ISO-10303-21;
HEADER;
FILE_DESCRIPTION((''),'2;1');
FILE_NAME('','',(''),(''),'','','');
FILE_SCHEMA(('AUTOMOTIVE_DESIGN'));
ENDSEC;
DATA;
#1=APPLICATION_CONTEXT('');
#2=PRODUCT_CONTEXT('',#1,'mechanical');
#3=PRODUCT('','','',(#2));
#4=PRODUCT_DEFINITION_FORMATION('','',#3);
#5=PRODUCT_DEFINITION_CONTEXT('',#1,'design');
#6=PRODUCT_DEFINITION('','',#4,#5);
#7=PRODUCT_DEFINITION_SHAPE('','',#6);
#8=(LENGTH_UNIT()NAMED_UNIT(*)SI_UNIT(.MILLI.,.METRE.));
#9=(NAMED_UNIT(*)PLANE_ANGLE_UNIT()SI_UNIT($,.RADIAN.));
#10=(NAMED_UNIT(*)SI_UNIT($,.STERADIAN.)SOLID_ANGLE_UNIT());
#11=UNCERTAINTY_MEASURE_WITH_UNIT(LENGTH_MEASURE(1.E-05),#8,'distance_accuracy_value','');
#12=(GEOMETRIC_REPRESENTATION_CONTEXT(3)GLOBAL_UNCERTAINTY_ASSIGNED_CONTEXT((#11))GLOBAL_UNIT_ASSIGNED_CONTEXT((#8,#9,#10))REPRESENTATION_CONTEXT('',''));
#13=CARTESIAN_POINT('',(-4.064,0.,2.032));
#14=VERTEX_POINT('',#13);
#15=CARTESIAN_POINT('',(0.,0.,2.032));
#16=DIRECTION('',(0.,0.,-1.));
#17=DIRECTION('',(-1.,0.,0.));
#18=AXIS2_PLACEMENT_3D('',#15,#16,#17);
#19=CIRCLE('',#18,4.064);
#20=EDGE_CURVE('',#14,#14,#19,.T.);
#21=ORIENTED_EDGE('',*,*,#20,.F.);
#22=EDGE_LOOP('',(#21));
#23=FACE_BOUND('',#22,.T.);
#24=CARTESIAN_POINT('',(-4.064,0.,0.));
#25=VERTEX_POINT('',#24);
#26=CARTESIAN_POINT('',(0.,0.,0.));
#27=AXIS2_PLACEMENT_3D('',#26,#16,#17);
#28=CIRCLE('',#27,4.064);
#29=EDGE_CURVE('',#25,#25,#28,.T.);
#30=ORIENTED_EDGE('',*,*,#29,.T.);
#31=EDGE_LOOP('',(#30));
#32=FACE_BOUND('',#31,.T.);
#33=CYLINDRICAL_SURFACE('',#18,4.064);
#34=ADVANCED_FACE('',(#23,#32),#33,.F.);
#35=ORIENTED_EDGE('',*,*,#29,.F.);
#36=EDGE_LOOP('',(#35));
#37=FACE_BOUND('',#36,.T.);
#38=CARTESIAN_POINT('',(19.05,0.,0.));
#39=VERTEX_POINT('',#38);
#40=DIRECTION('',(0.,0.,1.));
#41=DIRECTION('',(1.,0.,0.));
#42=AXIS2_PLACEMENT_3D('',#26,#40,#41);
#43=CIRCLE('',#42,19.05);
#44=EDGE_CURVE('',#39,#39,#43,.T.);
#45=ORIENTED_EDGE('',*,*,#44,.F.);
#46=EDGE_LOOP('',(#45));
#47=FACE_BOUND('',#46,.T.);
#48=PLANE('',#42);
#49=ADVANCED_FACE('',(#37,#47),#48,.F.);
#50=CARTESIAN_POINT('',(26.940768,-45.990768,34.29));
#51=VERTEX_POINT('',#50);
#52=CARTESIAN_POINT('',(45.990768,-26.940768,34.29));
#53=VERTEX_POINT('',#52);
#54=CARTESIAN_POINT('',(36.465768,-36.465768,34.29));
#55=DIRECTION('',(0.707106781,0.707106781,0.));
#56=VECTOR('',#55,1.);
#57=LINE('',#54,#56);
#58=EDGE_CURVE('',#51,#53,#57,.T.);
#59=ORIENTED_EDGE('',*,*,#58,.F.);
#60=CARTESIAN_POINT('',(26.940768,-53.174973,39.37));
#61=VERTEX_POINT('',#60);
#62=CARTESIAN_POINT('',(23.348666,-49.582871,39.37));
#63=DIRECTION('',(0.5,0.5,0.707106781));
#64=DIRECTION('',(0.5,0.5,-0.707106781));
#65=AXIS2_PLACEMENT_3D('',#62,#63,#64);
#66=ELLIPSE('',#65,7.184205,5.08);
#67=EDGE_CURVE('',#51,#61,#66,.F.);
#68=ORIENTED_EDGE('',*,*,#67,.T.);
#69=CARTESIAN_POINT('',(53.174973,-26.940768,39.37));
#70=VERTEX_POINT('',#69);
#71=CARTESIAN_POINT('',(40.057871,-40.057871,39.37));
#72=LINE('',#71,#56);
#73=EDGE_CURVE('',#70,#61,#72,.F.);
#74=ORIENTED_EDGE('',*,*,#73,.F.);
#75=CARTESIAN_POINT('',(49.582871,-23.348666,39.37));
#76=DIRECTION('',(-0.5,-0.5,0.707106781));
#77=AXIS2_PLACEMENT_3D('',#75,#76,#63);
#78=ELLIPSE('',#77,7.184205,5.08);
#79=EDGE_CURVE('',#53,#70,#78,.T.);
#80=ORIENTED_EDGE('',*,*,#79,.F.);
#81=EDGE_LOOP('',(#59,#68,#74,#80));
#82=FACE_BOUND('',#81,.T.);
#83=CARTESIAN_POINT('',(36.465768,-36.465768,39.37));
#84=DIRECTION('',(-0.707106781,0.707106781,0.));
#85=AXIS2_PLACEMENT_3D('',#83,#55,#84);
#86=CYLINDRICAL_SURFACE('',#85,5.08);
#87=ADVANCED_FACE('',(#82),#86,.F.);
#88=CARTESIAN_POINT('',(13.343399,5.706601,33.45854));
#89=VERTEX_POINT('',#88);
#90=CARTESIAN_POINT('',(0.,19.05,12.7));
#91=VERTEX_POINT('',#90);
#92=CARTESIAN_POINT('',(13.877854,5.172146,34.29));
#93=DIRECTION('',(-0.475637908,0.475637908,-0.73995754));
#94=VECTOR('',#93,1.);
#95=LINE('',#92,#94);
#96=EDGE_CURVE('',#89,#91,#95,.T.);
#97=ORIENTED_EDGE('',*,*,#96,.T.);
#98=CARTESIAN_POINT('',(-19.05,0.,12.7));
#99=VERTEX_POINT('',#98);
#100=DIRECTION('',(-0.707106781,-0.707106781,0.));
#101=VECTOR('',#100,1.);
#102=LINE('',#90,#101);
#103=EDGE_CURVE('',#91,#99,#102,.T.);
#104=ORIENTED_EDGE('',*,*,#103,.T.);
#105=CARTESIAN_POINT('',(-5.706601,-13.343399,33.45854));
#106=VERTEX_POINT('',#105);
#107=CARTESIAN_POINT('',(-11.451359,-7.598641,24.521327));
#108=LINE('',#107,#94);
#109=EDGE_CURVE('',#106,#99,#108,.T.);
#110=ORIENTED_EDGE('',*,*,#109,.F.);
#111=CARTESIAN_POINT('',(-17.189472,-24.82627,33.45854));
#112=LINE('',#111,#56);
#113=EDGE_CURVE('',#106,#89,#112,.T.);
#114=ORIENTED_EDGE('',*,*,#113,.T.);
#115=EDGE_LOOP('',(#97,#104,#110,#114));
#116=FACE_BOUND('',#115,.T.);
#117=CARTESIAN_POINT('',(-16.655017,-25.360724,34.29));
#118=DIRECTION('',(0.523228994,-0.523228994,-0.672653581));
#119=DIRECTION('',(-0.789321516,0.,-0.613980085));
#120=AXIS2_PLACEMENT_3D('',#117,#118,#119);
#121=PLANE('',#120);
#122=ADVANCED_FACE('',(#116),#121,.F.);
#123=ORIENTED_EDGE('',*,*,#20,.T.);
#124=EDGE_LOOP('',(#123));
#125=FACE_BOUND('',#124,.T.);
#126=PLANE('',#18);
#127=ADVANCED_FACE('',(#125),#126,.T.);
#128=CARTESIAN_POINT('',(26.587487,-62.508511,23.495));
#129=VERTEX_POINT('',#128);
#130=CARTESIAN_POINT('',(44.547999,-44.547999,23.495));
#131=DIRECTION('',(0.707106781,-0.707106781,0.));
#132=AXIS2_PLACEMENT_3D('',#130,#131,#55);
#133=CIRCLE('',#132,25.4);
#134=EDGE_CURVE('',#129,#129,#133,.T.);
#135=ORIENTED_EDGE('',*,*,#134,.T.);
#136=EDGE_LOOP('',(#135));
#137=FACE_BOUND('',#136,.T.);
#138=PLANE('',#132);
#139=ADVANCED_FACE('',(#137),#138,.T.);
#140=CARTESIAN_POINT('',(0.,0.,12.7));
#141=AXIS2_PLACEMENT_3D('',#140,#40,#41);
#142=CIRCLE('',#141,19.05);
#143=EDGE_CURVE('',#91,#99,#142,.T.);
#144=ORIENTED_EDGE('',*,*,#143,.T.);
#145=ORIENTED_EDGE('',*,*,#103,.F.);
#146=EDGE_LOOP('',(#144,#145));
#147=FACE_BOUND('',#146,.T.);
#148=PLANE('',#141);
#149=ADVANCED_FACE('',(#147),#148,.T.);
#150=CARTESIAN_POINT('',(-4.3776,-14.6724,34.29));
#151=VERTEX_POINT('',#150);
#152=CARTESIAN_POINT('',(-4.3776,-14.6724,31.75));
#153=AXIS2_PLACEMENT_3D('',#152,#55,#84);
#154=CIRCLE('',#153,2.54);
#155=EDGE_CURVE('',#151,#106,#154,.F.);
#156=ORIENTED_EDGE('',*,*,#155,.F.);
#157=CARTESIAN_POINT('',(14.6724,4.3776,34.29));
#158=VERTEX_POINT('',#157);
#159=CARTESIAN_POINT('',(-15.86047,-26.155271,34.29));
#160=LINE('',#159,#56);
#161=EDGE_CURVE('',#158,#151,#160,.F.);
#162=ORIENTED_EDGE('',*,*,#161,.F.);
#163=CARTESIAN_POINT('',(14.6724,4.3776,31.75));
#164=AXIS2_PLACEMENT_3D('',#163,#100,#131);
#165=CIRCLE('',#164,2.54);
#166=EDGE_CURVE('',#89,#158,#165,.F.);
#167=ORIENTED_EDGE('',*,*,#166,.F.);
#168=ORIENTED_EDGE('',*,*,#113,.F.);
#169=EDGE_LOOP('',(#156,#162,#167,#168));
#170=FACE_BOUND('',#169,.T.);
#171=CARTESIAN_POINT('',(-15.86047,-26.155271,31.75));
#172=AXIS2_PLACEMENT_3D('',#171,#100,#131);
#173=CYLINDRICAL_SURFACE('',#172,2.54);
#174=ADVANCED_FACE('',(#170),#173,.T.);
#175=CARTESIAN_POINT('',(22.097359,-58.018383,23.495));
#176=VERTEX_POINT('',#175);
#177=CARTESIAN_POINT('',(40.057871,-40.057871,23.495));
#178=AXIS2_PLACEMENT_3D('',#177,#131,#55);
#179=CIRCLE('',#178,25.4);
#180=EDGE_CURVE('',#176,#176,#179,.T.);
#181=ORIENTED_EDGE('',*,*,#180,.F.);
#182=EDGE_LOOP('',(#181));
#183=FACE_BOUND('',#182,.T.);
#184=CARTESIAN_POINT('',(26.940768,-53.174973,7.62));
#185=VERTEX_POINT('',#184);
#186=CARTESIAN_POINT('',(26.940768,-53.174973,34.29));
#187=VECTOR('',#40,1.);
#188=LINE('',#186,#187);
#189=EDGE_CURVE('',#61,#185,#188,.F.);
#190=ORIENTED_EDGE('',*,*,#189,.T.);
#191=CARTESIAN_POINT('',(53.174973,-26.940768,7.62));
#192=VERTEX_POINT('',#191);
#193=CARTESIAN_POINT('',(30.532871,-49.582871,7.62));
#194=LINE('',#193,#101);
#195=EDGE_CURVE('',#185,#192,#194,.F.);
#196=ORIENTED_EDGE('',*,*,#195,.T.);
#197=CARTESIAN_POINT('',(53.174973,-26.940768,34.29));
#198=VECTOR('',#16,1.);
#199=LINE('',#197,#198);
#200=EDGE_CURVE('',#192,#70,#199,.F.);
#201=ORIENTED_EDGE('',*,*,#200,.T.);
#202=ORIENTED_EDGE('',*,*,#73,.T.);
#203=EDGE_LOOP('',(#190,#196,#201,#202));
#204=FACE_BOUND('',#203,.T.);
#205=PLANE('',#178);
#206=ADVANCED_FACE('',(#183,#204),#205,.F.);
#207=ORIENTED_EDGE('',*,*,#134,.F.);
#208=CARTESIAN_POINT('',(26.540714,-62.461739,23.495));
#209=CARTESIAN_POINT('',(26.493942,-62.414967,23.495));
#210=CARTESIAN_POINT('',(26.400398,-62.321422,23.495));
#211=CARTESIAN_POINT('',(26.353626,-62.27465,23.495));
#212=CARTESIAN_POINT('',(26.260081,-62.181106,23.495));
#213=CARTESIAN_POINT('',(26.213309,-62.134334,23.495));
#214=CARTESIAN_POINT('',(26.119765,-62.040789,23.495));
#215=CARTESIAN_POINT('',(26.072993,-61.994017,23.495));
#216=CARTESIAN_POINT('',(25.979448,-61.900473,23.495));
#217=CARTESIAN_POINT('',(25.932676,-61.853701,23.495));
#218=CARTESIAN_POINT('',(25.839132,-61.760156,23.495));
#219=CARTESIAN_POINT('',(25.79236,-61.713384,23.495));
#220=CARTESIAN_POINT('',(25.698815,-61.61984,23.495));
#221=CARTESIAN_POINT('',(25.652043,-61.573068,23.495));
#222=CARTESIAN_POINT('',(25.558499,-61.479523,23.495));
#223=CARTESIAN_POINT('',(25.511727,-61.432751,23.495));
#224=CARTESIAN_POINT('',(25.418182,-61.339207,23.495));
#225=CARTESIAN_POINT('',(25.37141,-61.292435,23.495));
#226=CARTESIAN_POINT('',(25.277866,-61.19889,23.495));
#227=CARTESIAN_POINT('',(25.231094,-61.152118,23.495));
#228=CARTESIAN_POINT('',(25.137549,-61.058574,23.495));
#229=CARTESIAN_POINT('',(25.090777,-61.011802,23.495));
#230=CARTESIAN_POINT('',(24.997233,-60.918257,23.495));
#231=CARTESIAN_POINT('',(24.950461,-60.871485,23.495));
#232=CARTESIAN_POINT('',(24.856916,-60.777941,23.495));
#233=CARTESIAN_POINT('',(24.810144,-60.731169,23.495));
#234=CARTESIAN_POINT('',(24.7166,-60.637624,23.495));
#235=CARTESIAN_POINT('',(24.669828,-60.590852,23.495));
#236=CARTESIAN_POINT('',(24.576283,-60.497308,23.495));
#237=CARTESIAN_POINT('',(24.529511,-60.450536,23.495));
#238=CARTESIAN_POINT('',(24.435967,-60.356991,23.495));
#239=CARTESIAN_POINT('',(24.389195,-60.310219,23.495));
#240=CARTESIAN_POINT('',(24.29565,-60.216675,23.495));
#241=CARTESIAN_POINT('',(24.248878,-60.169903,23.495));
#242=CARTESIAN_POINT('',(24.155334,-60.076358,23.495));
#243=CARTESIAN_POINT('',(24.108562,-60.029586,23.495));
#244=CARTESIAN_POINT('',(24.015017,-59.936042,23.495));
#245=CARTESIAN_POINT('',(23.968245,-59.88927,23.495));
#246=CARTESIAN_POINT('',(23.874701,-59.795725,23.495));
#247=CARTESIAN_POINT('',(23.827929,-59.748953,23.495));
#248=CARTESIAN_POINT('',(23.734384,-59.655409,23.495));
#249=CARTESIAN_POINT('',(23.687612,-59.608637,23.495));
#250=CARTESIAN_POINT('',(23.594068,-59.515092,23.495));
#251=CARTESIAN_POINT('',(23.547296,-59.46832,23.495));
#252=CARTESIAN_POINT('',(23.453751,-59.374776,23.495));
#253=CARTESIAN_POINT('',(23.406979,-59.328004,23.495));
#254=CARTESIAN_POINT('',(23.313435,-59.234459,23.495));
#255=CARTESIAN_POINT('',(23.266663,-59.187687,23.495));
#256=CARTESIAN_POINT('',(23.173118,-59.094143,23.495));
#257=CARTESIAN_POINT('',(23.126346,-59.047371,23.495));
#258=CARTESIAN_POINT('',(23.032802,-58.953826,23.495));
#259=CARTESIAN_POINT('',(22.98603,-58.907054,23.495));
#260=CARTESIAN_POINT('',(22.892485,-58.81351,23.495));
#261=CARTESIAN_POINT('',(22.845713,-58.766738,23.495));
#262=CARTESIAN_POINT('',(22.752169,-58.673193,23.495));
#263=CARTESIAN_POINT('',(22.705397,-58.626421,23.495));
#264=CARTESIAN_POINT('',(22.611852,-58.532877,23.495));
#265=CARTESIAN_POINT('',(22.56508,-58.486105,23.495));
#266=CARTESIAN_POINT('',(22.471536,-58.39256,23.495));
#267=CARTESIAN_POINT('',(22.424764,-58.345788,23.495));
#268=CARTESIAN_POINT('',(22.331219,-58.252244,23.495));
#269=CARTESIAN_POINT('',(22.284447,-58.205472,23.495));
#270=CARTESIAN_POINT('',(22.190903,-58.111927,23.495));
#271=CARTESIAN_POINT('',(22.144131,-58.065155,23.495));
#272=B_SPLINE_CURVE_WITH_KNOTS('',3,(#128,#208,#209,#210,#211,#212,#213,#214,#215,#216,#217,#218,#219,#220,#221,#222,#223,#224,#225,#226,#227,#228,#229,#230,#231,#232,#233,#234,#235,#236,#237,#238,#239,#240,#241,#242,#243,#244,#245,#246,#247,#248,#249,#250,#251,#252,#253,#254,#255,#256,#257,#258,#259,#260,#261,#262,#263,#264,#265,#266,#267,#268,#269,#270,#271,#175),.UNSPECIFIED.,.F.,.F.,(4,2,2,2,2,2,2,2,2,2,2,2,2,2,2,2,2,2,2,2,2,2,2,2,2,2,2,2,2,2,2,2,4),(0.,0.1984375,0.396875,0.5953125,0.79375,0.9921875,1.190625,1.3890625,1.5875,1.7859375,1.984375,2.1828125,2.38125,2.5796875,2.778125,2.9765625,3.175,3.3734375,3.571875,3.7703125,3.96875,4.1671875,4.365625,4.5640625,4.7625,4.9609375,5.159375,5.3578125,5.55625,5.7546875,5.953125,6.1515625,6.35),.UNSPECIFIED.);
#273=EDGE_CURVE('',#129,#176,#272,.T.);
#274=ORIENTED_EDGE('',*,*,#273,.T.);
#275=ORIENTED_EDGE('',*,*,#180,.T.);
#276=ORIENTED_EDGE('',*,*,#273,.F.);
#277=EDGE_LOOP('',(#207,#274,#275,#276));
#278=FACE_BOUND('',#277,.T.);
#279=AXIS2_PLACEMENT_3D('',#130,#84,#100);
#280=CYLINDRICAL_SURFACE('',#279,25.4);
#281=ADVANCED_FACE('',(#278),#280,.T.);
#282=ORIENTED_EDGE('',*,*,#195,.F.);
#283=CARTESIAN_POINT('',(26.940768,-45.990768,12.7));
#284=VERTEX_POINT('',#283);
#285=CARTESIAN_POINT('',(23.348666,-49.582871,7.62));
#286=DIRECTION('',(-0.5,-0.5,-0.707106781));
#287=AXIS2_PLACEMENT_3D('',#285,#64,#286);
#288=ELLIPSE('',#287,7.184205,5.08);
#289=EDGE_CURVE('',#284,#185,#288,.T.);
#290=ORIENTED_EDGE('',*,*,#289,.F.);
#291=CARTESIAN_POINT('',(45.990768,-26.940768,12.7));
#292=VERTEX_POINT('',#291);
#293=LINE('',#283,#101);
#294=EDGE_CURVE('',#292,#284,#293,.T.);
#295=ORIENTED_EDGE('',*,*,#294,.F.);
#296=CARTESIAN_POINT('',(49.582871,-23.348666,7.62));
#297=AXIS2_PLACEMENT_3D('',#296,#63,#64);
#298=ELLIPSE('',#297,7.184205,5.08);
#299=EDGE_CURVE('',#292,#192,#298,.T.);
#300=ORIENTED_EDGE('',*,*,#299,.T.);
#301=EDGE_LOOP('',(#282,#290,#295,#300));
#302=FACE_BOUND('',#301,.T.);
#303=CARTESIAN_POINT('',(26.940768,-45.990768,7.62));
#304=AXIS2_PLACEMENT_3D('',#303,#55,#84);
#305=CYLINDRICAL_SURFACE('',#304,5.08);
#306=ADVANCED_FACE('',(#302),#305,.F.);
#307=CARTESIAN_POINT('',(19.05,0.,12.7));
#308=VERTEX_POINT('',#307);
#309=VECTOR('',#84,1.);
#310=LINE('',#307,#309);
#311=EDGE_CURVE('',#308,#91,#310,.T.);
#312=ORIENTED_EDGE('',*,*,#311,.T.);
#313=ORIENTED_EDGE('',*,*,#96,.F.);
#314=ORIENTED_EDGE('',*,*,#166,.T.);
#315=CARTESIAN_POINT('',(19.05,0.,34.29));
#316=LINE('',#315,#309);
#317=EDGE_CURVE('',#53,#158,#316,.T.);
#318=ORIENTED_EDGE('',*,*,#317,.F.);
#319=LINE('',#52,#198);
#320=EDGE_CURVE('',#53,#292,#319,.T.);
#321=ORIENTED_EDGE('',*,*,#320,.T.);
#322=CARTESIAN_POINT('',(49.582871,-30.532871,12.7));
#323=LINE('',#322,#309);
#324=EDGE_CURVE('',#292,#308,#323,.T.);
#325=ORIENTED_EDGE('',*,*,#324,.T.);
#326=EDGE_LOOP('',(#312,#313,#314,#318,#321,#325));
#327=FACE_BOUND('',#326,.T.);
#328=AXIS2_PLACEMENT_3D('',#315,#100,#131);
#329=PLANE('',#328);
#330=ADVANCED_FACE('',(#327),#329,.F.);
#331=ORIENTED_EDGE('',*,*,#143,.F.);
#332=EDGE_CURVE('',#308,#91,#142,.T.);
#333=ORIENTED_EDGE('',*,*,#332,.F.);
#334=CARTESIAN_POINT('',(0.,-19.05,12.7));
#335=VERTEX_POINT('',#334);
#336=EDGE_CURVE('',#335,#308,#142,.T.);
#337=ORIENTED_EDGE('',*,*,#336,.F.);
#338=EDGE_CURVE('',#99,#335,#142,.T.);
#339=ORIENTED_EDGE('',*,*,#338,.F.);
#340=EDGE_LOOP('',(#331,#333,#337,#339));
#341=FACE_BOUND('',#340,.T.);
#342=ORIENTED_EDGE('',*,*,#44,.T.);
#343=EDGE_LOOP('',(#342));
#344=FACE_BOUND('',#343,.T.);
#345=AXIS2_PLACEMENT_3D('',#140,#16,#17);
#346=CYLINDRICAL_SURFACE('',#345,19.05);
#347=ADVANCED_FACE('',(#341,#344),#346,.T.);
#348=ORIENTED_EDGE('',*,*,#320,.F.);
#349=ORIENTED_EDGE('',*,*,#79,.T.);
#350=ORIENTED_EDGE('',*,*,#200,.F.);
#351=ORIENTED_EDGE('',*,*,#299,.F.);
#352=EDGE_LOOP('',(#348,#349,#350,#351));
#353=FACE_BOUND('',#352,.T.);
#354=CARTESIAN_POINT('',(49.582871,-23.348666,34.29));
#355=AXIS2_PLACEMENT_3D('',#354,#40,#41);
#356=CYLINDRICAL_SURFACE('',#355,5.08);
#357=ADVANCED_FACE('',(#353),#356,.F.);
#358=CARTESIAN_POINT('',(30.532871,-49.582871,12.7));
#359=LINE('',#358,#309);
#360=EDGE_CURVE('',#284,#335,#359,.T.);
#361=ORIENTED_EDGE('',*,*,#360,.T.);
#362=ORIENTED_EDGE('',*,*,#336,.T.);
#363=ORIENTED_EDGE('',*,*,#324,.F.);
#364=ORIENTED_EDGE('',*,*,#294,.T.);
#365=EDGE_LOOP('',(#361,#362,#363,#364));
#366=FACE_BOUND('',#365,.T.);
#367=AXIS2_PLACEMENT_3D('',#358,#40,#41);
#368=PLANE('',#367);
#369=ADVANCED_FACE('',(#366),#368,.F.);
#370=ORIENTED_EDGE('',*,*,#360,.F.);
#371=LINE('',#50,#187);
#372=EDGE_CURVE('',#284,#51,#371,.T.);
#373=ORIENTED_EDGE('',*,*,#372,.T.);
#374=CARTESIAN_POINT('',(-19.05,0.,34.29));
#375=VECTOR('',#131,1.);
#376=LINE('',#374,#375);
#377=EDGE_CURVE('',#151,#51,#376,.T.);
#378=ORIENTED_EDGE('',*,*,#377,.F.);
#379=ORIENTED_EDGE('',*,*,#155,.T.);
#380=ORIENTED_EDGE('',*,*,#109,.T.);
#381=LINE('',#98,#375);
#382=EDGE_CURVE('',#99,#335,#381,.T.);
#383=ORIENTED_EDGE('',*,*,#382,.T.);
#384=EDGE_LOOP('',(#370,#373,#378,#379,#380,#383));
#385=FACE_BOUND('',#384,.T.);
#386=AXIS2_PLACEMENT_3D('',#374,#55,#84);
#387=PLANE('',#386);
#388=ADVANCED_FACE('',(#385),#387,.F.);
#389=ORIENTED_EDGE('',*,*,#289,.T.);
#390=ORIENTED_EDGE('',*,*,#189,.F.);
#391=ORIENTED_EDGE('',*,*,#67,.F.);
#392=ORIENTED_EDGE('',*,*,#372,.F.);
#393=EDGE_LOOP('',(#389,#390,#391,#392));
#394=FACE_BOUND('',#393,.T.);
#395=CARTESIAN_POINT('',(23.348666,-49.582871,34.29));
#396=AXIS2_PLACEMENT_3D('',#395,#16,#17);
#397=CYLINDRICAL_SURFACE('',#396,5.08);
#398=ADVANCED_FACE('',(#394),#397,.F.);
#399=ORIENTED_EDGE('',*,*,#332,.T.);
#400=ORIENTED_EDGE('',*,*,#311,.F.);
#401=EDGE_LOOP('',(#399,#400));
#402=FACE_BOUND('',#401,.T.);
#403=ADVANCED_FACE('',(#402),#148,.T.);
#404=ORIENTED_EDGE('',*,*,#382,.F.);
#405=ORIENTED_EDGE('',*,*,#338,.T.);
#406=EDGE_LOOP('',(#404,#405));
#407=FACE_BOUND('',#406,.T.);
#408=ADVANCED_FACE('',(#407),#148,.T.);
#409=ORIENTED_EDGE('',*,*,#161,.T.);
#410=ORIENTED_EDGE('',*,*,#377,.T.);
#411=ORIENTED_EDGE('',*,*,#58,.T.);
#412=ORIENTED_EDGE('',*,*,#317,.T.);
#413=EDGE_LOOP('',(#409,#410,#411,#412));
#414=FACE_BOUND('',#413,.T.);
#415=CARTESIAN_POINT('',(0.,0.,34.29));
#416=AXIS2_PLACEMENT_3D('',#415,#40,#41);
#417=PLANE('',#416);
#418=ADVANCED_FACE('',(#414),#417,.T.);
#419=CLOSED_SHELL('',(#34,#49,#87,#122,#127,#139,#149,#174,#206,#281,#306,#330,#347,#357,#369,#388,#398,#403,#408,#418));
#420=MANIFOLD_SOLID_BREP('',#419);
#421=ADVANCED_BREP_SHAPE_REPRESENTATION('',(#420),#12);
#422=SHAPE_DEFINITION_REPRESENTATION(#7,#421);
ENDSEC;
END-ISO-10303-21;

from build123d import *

# Parameters (mm, degrees)
SKETCH1_R           = 19.05
BOSS_EXTRUDE1_DEPTH = 12.7
BOSS_EXTRUDE2_DEPTH = 21.59
SKETCH4_W           = 21.59
SKETCH4_H           = 26.940768364
BOSS_EXTRUDE3_DEPTH = 43.18
CUT_EXTRUDE1_DEPTH  = 43.18
FILLET2_R           = 2.54
SKETCH6_R           = 25.4
BOSS_EXTRUDE4_DEPTH = 6.35
FILLET5_R           = 5.08
SKETCH7_R           = 4.064
CUT_EXTRUDE2_DEPTH  = 2.032


with BuildPart() as part:
    # Sketch1 → Boss-Extrude1 (new body)
    with BuildSketch(Plane.XY):
        Circle(SKETCH1_R)
    extrude(amount=BOSS_EXTRUDE1_DEPTH)

    # Sketch2 → Boss-Extrude2 (add)
    with BuildSketch(Plane.XY.offset(12.7)):
        Polygon((-19.05, 0), (0, -19.05), (19.05, 0), (0, 19.05), align=None)
    extrude(amount=BOSS_EXTRUDE2_DEPTH)

    # Sketch4 → Boss-Extrude3 (add)
    with BuildSketch(Plane(origin=(9.525, -9.525, 0), x_dir=(0, 0, -1), z_dir=(0.7071067811865477, -0.7071067811865475, 0))):
        with Locations((-23.495, 0)):
            Rectangle(SKETCH4_W, SKETCH4_H)
    extrude(amount=BOSS_EXTRUDE3_DEPTH)

    # Sketch5 → Cut-Extrude1 (cut)
    with BuildSketch(Plane(origin=(9.525, 9.525, 0), x_dir=(0, 0, -1), z_dir=(0.7071067811865475, 0.7071067811865476, 0))):
        Polygon((-34.29, -6.155864654), (-12.7, 13.470384182), (-34.29, 13.470384182), align=None)
    extrude(amount=-CUT_EXTRUDE1_DEPTH, mode=Mode.SUBTRACT)

    # Fillet2
    fillet2_edges = [part.edges().sort_by_distance(p)[0] for p in [
        (4.352853641, -4.352853641, 34.29),
    ]]
    fillet(fillet2_edges, radius=FILLET2_R)

    # Sketch6 → Boss-Extrude4 (add)
    with BuildSketch(Plane(origin=(40.057870812, -40.057870812, 0), x_dir=(0, 0, -1), z_dir=(0.7071067811865477, -0.7071067811865475, 0))):
        with Locations(Location((-23.495, 0, 0), (0, 0, 270))):
            Circle(SKETCH6_R)
    extrude(amount=BOSS_EXTRUDE4_DEPTH)

    # Fillet5
    fillet5_edges = [part.edges().sort_by_distance(p)[0] for p in [
        (40.057870812, -40.057870812, 34.29),
        (30.532870812, -49.582870812, 23.495),
        (40.057870812, -40.057870812, 12.7),
        (49.582870812, -30.532870812, 23.495),
    ]]
    fillet(fillet5_edges, radius=FILLET5_R)

    # Sketch7 → Cut-Extrude2 (cut)
    with BuildSketch(Plane(origin=(0, 0, 0), x_dir=(-1, 0, 0), z_dir=(0, 0, -1))):
        Circle(SKETCH7_R)
    extrude(amount=-CUT_EXTRUDE2_DEPTH, mode=Mode.SUBTRACT)


solid = part.part
